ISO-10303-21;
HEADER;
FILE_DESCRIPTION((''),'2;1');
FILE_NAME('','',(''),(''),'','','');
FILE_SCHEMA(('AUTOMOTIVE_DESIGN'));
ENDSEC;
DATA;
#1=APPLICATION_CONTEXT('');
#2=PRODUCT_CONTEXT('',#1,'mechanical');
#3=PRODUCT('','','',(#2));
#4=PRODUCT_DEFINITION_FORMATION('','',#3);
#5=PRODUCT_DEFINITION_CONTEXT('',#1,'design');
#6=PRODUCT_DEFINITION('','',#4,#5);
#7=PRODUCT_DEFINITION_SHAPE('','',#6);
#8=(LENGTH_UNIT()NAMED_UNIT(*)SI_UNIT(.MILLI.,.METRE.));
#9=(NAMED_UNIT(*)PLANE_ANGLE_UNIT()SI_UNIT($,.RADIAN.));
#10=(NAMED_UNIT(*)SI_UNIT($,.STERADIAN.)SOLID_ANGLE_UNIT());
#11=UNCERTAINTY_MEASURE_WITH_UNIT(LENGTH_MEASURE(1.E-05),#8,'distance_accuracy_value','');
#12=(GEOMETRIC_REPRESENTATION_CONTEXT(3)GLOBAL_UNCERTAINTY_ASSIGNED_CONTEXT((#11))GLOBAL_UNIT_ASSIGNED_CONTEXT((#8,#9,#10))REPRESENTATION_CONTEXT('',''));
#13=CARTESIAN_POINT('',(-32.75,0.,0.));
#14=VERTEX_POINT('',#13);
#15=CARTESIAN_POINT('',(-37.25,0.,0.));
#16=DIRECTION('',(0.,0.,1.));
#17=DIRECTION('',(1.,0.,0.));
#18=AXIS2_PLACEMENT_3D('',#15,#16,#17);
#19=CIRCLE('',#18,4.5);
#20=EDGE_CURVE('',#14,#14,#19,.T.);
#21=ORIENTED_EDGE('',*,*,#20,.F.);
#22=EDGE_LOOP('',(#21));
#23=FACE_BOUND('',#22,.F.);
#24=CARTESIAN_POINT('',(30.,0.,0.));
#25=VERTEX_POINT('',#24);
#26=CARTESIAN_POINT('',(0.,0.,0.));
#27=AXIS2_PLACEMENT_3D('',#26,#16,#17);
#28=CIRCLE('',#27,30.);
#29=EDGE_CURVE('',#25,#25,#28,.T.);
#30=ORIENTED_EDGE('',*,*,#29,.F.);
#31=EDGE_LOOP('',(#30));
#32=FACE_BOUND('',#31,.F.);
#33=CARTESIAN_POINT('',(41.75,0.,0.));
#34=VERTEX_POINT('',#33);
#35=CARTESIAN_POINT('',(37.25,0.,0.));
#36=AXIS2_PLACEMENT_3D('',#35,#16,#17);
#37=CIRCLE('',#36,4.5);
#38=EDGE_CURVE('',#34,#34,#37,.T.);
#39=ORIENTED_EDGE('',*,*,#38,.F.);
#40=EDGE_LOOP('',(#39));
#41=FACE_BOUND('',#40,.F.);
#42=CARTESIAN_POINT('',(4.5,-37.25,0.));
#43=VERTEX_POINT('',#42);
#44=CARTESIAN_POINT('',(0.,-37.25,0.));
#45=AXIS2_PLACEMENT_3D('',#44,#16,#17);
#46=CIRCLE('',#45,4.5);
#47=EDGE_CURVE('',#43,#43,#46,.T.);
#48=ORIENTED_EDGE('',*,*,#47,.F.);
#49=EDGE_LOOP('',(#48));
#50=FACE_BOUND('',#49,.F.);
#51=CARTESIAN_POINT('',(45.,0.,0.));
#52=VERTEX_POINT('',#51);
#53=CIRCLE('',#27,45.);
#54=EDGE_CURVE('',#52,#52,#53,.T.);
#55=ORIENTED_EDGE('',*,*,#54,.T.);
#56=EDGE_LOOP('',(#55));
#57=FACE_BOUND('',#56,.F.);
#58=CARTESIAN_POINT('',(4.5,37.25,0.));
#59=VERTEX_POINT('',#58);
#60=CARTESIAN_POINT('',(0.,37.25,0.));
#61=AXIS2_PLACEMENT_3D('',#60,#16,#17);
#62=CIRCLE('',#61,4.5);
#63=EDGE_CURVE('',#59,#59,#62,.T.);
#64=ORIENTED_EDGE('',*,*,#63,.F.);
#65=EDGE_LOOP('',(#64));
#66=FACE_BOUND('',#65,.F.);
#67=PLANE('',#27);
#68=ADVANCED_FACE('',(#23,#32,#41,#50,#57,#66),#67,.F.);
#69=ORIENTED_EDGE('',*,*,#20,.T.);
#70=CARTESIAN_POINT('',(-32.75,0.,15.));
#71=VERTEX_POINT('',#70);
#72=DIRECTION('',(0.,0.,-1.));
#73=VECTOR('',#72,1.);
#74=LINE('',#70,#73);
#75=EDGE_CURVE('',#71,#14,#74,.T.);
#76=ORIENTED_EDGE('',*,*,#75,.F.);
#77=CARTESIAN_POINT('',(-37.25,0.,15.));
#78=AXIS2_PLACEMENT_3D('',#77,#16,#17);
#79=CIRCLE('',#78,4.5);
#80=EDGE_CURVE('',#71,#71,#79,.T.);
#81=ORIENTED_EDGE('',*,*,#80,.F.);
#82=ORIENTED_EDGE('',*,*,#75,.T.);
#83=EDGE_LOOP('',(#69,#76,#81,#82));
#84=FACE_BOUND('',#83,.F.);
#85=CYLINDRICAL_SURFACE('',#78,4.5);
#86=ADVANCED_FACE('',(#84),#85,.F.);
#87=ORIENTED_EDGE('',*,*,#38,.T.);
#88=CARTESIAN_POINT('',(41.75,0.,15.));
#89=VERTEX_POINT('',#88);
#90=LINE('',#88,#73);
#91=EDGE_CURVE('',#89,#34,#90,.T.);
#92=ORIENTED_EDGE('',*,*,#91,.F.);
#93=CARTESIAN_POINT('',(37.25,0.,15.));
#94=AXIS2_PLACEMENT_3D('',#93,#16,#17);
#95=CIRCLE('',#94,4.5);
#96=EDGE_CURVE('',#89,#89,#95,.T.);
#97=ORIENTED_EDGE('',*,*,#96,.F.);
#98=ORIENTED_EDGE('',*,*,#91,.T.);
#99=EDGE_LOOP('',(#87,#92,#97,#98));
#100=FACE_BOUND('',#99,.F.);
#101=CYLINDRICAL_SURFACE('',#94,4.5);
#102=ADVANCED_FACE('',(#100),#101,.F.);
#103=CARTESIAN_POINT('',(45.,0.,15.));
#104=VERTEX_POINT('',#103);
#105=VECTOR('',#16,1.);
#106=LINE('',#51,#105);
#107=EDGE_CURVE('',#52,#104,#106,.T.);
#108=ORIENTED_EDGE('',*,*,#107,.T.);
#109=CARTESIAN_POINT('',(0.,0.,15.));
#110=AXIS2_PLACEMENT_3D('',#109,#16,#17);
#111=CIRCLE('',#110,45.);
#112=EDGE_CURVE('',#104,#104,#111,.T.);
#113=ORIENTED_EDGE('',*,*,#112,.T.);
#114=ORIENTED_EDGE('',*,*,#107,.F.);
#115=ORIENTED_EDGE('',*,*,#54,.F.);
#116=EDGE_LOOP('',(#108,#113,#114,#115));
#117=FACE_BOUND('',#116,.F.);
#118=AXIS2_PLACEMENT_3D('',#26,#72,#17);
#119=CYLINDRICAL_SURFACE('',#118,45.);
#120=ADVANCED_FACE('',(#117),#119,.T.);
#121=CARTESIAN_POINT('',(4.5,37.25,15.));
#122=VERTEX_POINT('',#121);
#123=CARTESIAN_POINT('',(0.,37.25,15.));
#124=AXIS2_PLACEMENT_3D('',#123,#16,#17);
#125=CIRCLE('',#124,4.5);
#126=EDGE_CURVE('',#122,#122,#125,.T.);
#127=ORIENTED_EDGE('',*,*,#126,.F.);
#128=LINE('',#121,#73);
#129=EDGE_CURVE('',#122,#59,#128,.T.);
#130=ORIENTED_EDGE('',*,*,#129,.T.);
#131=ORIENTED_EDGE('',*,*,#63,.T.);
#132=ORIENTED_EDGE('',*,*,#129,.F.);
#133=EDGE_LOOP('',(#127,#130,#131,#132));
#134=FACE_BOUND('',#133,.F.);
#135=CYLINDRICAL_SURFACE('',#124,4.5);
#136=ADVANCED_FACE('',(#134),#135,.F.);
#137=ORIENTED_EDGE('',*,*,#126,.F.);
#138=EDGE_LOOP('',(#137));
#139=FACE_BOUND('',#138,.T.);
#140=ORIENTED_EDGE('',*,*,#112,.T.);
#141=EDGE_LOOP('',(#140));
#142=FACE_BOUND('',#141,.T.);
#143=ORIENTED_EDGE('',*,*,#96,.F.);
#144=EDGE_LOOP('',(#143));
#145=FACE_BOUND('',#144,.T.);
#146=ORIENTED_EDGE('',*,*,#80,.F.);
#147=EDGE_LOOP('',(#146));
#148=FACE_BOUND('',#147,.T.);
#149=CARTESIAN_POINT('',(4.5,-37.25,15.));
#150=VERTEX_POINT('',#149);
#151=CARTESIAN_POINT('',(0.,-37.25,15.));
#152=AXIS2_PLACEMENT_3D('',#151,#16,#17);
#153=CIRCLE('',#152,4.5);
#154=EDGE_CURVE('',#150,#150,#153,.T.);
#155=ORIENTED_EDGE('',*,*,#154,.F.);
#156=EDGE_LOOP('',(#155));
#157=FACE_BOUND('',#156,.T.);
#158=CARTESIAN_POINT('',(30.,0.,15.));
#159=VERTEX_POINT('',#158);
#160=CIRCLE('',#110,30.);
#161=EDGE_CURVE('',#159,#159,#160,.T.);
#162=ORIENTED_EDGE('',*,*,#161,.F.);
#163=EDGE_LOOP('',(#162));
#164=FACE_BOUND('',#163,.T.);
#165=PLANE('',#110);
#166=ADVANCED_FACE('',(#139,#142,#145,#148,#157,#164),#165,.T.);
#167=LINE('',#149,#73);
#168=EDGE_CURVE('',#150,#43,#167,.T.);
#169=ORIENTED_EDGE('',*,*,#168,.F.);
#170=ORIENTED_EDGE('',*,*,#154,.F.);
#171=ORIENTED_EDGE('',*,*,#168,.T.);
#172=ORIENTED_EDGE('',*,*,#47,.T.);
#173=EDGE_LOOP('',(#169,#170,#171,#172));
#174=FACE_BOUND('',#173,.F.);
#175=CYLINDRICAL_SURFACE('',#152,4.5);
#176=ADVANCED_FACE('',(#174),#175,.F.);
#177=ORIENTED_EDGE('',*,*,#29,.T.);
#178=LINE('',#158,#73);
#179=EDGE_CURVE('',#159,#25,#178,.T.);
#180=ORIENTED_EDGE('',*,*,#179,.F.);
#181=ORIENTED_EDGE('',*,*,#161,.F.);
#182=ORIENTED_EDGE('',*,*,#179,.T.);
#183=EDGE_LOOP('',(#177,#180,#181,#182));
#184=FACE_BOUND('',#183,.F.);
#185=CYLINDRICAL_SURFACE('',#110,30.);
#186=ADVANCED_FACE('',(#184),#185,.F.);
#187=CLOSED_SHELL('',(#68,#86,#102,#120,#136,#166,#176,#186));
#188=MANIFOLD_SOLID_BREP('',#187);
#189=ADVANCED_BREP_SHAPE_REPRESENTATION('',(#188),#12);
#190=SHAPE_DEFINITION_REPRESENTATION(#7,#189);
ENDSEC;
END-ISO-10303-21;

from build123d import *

# Parameters (mm, degrees)
F0_R     = 45
F1_DEPTH = 15
F2_R     = 30
F3_DEPTH = 15.001
F4_R     = 4.5
F5_DEPTH = 15.001


with BuildPart() as f1:
    # F0 (on Top) → F1 (new body)
    with BuildSketch(Plane.XY):
        Circle(F0_R)
    extrude(amount=F1_DEPTH)

    # F2 (on face) → F3 (cut, through all)
    with BuildSketch(Plane.XY.offset(15)):
        Circle(F2_R)
    extrude(amount=-F3_DEPTH, mode=Mode.SUBTRACT)

    # F4 (on face) → F5 (cut, through all)
    with BuildSketch(Plane.XY.offset(15)):
        with Locations((0, 37.25)):
            Circle(F4_R)
        with Locations((-37.25, 0)):
            Circle(F4_R)
        with Locations((37.25, 0)):
            Circle(F4_R)
        with Locations((0, -37.25)):
            Circle(F4_R)
    extrude(amount=-F5_DEPTH, mode=Mode.SUBTRACT)


solid = f1.part
